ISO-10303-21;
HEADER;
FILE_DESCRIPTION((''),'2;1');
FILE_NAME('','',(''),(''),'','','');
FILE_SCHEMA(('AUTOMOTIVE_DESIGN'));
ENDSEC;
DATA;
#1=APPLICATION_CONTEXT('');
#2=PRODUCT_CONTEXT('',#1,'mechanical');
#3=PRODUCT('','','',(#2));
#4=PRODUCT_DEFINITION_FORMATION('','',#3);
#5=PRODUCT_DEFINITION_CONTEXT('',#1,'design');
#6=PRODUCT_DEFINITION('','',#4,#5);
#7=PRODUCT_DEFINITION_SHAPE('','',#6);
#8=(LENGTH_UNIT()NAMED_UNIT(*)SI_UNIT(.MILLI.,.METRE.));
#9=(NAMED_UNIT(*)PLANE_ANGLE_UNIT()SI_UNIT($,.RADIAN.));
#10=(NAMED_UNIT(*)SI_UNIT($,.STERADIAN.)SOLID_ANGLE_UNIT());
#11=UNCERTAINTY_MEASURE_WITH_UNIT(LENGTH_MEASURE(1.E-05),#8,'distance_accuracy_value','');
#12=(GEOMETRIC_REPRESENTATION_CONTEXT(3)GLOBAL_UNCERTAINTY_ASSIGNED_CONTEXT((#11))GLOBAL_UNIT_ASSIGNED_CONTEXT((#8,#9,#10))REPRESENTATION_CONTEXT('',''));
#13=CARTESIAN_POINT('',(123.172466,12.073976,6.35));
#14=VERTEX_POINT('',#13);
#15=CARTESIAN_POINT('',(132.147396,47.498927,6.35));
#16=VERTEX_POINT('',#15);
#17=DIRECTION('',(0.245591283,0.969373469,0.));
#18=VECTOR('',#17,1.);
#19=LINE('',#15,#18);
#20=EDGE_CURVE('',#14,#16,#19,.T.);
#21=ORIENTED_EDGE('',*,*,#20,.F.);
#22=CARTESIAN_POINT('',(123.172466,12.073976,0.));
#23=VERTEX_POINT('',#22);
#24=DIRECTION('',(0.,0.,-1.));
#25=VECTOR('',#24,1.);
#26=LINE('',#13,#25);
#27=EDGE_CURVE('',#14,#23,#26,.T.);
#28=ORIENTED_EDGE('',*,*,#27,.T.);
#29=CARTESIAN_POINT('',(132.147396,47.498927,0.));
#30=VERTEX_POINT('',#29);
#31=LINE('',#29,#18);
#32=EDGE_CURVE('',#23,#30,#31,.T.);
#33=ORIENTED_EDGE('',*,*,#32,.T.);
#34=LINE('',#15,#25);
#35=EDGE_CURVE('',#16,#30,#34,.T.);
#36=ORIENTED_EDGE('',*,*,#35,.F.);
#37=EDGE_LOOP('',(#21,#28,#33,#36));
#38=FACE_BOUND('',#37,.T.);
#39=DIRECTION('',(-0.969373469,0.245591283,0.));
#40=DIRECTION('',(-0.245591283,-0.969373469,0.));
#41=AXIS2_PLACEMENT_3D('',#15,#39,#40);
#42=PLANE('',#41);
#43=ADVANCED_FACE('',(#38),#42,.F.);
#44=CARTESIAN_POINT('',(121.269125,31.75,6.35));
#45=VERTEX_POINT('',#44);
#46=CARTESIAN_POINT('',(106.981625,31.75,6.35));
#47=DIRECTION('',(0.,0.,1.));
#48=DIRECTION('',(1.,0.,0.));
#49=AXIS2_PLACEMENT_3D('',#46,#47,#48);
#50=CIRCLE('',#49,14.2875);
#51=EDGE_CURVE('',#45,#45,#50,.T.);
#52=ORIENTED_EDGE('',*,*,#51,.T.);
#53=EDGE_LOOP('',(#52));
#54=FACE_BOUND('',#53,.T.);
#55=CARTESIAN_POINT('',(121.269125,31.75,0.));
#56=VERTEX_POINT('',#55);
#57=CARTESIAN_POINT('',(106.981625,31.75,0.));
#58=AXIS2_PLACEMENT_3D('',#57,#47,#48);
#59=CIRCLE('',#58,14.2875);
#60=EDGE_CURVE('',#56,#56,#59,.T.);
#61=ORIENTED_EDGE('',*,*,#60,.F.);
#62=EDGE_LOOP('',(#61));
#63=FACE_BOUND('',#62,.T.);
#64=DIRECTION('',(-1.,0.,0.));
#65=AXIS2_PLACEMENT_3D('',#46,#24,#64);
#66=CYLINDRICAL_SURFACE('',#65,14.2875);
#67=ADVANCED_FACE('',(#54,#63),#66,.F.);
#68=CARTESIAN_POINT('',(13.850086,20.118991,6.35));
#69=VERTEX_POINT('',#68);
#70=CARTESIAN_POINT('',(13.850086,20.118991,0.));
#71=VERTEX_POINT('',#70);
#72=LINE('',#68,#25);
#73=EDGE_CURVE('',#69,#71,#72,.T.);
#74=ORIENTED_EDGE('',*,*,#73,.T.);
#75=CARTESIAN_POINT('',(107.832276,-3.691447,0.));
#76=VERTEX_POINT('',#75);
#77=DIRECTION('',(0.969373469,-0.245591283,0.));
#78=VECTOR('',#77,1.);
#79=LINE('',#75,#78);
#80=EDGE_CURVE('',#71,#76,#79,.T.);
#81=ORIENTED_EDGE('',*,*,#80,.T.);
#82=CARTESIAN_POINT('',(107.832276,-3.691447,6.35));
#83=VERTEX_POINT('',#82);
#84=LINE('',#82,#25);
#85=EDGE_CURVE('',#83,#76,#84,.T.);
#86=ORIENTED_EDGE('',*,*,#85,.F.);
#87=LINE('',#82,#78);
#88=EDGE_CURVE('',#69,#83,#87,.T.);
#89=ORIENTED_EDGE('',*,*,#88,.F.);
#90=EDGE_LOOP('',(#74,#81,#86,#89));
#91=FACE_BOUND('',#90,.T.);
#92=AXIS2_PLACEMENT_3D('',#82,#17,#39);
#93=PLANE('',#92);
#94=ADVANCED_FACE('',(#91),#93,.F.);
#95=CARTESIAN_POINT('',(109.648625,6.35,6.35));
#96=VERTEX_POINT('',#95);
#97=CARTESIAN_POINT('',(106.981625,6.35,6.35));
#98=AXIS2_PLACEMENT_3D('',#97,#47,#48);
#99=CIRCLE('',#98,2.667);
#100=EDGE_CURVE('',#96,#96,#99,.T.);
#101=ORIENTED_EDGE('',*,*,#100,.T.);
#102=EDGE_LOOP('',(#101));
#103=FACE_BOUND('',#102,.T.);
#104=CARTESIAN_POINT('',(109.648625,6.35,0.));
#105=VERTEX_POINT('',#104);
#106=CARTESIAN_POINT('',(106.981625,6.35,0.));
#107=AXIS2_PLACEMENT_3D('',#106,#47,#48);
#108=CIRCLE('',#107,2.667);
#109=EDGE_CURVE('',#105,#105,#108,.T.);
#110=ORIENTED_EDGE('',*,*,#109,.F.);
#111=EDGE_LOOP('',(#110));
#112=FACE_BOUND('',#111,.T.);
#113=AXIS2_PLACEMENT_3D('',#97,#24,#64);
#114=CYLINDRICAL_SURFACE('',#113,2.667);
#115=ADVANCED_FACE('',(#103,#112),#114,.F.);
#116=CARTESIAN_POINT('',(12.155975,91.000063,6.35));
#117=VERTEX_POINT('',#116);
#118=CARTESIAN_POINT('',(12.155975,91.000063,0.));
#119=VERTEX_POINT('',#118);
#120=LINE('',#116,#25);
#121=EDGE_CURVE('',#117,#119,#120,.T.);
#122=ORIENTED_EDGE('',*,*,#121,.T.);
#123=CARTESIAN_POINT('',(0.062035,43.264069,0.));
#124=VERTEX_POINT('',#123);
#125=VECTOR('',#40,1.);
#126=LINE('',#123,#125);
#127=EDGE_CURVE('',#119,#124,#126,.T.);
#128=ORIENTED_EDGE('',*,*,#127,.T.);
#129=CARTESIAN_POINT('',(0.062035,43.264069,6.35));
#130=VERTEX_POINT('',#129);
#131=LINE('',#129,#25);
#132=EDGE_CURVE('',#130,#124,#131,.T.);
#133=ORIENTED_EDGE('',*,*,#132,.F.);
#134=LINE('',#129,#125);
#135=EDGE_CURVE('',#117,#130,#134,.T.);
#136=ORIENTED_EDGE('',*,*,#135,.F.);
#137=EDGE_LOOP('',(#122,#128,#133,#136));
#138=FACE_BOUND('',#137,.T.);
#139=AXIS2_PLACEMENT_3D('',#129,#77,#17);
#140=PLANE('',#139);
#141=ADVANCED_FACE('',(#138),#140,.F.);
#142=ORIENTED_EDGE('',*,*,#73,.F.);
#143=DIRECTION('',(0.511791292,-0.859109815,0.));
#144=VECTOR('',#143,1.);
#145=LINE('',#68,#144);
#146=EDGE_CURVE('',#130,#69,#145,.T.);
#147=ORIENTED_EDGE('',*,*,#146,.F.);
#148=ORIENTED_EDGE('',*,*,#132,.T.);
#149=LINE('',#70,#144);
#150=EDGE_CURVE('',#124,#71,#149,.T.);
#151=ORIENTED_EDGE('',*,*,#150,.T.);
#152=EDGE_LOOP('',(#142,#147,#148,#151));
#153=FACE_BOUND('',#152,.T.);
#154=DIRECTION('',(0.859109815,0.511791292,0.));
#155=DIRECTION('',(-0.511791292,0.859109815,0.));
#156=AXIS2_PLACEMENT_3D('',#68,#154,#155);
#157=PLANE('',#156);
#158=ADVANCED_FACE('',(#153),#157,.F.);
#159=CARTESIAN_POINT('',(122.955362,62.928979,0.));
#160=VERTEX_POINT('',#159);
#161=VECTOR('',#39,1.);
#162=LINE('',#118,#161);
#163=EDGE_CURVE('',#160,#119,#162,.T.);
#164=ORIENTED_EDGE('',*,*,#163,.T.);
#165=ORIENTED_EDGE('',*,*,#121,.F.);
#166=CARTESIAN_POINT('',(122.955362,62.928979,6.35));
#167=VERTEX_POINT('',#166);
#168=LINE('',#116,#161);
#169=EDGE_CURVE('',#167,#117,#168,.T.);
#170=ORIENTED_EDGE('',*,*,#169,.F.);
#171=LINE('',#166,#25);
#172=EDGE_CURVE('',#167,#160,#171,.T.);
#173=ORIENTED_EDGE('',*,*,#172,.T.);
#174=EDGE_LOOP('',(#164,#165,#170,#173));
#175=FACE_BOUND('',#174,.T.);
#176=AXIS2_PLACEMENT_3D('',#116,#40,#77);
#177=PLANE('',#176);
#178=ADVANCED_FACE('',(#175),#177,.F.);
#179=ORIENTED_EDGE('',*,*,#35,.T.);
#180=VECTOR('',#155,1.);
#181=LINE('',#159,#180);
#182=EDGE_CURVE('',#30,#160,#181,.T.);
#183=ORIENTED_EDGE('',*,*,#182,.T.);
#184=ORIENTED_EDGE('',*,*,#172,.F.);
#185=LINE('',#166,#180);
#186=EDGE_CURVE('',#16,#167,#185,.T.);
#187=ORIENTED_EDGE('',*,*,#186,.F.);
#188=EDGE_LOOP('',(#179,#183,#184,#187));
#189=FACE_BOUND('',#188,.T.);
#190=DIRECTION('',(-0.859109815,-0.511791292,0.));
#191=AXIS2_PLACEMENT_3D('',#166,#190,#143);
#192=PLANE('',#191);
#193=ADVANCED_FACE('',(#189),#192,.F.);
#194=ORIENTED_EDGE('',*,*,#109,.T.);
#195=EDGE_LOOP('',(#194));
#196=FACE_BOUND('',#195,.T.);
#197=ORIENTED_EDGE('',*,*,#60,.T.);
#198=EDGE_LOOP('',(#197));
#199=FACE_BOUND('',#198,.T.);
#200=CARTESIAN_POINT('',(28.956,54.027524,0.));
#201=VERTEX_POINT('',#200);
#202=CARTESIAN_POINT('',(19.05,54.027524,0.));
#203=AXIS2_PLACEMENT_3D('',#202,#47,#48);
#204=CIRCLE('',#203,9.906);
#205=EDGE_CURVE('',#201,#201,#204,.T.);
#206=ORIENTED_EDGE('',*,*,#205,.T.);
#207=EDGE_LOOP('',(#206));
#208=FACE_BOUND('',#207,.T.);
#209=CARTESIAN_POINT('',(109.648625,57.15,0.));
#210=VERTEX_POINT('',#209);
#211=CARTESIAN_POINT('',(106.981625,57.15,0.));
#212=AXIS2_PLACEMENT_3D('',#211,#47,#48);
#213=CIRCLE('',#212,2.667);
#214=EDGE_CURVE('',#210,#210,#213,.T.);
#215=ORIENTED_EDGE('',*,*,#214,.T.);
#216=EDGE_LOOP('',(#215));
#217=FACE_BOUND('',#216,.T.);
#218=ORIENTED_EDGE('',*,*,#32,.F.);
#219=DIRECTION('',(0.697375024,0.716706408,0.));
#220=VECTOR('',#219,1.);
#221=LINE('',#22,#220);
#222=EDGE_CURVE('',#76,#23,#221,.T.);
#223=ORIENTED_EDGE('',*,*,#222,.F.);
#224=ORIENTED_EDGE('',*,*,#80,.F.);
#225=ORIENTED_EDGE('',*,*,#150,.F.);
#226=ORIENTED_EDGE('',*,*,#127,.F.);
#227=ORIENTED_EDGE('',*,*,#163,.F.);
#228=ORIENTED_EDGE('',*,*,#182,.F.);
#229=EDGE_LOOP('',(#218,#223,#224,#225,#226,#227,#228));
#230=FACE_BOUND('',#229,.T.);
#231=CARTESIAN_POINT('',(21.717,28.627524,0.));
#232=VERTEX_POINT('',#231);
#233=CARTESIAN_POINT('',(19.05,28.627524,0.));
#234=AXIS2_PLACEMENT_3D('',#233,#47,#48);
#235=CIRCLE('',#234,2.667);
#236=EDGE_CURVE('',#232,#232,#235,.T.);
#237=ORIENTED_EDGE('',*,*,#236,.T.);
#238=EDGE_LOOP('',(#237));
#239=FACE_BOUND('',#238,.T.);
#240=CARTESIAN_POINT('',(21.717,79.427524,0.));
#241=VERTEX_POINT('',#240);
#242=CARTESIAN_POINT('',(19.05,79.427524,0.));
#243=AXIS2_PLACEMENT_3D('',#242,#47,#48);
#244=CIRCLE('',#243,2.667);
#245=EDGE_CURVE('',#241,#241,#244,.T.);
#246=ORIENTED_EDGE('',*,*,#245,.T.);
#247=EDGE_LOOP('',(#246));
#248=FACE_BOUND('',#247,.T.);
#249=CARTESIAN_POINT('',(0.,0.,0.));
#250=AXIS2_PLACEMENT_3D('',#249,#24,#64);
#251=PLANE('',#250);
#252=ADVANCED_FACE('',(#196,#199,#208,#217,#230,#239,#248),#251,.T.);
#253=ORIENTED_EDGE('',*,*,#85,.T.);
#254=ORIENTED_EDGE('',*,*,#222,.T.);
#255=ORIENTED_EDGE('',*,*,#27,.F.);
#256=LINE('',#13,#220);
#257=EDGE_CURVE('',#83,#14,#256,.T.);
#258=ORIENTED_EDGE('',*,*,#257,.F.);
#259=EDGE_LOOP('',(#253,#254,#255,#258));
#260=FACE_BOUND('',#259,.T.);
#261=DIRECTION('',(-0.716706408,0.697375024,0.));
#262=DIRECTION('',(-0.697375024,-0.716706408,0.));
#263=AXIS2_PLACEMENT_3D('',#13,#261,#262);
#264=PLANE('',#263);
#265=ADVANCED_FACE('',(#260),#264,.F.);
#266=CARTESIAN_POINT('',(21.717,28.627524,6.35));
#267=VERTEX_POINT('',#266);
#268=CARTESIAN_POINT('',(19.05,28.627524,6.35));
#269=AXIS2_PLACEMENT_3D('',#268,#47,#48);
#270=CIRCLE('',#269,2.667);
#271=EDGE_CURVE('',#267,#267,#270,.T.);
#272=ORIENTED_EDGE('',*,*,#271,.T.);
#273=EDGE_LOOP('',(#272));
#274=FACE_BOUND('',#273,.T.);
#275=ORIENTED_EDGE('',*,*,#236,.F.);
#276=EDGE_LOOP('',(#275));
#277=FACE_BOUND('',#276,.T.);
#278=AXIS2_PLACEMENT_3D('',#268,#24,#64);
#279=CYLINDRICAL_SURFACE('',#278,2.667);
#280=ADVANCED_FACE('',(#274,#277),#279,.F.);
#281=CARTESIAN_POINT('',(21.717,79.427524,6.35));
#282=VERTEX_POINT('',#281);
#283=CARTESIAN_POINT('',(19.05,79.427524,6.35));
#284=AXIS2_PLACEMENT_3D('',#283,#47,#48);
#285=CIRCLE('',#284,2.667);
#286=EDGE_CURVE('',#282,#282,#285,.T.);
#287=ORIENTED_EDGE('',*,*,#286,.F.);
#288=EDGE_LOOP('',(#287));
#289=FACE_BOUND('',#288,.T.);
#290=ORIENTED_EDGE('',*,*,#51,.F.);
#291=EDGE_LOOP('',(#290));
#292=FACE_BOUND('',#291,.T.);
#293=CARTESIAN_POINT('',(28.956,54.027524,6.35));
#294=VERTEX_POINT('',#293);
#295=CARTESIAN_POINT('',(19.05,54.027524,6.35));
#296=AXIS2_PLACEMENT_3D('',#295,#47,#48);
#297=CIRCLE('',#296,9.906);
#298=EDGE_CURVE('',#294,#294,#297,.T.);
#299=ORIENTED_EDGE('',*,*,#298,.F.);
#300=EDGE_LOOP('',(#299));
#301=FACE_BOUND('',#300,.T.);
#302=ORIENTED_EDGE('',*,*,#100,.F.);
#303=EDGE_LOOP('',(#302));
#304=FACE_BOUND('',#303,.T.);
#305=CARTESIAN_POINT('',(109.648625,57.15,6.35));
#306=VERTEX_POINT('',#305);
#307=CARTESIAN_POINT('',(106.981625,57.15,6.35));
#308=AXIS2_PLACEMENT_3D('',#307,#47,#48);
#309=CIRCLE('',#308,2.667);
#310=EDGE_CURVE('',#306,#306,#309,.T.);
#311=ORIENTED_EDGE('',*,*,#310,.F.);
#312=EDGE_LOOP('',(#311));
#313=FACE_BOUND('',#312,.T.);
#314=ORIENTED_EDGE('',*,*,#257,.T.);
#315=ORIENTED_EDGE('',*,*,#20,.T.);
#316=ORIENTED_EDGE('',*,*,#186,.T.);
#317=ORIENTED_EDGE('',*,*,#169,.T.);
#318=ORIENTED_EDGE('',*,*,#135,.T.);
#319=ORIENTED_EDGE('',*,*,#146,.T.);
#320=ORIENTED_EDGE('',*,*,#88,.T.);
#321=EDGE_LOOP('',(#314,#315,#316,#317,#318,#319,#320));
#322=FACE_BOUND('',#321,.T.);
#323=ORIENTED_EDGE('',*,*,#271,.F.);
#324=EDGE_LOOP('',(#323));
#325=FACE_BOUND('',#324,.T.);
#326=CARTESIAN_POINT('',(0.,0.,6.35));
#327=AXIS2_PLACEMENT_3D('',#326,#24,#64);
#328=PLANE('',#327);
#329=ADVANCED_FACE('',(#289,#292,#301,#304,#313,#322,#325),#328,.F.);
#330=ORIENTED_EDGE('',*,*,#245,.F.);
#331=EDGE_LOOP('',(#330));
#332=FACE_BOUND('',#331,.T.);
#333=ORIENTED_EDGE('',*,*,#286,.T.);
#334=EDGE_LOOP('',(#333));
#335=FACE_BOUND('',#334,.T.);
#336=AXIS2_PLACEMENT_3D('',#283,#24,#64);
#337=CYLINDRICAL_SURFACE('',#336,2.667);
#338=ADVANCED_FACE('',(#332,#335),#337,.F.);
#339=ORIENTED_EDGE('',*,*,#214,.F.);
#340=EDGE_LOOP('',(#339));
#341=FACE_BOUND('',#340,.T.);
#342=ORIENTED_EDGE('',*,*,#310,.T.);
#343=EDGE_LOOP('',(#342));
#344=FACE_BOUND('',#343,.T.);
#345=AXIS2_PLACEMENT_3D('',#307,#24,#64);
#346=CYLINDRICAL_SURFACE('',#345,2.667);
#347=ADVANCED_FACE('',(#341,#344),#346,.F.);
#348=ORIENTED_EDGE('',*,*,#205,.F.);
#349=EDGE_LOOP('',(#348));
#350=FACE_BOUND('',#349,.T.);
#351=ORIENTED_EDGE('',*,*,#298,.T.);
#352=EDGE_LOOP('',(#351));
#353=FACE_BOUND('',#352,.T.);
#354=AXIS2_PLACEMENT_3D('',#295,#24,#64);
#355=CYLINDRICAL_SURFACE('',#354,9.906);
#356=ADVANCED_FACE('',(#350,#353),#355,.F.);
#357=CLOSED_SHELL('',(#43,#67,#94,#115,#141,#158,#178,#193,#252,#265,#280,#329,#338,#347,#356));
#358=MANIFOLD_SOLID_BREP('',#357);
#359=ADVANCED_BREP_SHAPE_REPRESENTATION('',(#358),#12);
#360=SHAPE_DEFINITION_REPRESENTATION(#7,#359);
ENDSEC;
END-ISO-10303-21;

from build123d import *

# Parameters (mm, degrees)
SKETCH1_R           = 9.906
SKETCH1_R_2         = 14.2875
SKETCH1_R_3         = 2.667
BOSS_EXTRUDE1_DEPTH = 6.35


with BuildPart() as part:
    # Sketch1 → Boss-Extrude1 (new body)
    with BuildSketch(Plane.XY):
        Polygon((12.15597468, 91.000063132), (122.95536215, 62.928979497), (132.147395909, 47.498927153), (123.172465774, 12.073976179), (107.832275805, -3.691447117), (13.850085892, 20.118990589), (0.062035253, 43.264069106), align=None)
        with Locations((19.05, 54.027523873)):
            Circle(SKETCH1_R, mode=Mode.SUBTRACT)
        with Locations((106.981625, 31.75)):
            Circle(SKETCH1_R_2, mode=Mode.SUBTRACT)
        with Locations((106.981625, 57.15)):
            Circle(SKETCH1_R_3, mode=Mode.SUBTRACT)
        with Locations((106.981625, 6.35)):
            Circle(SKETCH1_R_3, mode=Mode.SUBTRACT)
        with Locations((19.05, 79.427523873)):
            Circle(SKETCH1_R_3, mode=Mode.SUBTRACT)
        with Locations((19.05, 28.627523873)):
            Circle(SKETCH1_R_3, mode=Mode.SUBTRACT)
    extrude(amount=BOSS_EXTRUDE1_DEPTH)


solid = part.part
